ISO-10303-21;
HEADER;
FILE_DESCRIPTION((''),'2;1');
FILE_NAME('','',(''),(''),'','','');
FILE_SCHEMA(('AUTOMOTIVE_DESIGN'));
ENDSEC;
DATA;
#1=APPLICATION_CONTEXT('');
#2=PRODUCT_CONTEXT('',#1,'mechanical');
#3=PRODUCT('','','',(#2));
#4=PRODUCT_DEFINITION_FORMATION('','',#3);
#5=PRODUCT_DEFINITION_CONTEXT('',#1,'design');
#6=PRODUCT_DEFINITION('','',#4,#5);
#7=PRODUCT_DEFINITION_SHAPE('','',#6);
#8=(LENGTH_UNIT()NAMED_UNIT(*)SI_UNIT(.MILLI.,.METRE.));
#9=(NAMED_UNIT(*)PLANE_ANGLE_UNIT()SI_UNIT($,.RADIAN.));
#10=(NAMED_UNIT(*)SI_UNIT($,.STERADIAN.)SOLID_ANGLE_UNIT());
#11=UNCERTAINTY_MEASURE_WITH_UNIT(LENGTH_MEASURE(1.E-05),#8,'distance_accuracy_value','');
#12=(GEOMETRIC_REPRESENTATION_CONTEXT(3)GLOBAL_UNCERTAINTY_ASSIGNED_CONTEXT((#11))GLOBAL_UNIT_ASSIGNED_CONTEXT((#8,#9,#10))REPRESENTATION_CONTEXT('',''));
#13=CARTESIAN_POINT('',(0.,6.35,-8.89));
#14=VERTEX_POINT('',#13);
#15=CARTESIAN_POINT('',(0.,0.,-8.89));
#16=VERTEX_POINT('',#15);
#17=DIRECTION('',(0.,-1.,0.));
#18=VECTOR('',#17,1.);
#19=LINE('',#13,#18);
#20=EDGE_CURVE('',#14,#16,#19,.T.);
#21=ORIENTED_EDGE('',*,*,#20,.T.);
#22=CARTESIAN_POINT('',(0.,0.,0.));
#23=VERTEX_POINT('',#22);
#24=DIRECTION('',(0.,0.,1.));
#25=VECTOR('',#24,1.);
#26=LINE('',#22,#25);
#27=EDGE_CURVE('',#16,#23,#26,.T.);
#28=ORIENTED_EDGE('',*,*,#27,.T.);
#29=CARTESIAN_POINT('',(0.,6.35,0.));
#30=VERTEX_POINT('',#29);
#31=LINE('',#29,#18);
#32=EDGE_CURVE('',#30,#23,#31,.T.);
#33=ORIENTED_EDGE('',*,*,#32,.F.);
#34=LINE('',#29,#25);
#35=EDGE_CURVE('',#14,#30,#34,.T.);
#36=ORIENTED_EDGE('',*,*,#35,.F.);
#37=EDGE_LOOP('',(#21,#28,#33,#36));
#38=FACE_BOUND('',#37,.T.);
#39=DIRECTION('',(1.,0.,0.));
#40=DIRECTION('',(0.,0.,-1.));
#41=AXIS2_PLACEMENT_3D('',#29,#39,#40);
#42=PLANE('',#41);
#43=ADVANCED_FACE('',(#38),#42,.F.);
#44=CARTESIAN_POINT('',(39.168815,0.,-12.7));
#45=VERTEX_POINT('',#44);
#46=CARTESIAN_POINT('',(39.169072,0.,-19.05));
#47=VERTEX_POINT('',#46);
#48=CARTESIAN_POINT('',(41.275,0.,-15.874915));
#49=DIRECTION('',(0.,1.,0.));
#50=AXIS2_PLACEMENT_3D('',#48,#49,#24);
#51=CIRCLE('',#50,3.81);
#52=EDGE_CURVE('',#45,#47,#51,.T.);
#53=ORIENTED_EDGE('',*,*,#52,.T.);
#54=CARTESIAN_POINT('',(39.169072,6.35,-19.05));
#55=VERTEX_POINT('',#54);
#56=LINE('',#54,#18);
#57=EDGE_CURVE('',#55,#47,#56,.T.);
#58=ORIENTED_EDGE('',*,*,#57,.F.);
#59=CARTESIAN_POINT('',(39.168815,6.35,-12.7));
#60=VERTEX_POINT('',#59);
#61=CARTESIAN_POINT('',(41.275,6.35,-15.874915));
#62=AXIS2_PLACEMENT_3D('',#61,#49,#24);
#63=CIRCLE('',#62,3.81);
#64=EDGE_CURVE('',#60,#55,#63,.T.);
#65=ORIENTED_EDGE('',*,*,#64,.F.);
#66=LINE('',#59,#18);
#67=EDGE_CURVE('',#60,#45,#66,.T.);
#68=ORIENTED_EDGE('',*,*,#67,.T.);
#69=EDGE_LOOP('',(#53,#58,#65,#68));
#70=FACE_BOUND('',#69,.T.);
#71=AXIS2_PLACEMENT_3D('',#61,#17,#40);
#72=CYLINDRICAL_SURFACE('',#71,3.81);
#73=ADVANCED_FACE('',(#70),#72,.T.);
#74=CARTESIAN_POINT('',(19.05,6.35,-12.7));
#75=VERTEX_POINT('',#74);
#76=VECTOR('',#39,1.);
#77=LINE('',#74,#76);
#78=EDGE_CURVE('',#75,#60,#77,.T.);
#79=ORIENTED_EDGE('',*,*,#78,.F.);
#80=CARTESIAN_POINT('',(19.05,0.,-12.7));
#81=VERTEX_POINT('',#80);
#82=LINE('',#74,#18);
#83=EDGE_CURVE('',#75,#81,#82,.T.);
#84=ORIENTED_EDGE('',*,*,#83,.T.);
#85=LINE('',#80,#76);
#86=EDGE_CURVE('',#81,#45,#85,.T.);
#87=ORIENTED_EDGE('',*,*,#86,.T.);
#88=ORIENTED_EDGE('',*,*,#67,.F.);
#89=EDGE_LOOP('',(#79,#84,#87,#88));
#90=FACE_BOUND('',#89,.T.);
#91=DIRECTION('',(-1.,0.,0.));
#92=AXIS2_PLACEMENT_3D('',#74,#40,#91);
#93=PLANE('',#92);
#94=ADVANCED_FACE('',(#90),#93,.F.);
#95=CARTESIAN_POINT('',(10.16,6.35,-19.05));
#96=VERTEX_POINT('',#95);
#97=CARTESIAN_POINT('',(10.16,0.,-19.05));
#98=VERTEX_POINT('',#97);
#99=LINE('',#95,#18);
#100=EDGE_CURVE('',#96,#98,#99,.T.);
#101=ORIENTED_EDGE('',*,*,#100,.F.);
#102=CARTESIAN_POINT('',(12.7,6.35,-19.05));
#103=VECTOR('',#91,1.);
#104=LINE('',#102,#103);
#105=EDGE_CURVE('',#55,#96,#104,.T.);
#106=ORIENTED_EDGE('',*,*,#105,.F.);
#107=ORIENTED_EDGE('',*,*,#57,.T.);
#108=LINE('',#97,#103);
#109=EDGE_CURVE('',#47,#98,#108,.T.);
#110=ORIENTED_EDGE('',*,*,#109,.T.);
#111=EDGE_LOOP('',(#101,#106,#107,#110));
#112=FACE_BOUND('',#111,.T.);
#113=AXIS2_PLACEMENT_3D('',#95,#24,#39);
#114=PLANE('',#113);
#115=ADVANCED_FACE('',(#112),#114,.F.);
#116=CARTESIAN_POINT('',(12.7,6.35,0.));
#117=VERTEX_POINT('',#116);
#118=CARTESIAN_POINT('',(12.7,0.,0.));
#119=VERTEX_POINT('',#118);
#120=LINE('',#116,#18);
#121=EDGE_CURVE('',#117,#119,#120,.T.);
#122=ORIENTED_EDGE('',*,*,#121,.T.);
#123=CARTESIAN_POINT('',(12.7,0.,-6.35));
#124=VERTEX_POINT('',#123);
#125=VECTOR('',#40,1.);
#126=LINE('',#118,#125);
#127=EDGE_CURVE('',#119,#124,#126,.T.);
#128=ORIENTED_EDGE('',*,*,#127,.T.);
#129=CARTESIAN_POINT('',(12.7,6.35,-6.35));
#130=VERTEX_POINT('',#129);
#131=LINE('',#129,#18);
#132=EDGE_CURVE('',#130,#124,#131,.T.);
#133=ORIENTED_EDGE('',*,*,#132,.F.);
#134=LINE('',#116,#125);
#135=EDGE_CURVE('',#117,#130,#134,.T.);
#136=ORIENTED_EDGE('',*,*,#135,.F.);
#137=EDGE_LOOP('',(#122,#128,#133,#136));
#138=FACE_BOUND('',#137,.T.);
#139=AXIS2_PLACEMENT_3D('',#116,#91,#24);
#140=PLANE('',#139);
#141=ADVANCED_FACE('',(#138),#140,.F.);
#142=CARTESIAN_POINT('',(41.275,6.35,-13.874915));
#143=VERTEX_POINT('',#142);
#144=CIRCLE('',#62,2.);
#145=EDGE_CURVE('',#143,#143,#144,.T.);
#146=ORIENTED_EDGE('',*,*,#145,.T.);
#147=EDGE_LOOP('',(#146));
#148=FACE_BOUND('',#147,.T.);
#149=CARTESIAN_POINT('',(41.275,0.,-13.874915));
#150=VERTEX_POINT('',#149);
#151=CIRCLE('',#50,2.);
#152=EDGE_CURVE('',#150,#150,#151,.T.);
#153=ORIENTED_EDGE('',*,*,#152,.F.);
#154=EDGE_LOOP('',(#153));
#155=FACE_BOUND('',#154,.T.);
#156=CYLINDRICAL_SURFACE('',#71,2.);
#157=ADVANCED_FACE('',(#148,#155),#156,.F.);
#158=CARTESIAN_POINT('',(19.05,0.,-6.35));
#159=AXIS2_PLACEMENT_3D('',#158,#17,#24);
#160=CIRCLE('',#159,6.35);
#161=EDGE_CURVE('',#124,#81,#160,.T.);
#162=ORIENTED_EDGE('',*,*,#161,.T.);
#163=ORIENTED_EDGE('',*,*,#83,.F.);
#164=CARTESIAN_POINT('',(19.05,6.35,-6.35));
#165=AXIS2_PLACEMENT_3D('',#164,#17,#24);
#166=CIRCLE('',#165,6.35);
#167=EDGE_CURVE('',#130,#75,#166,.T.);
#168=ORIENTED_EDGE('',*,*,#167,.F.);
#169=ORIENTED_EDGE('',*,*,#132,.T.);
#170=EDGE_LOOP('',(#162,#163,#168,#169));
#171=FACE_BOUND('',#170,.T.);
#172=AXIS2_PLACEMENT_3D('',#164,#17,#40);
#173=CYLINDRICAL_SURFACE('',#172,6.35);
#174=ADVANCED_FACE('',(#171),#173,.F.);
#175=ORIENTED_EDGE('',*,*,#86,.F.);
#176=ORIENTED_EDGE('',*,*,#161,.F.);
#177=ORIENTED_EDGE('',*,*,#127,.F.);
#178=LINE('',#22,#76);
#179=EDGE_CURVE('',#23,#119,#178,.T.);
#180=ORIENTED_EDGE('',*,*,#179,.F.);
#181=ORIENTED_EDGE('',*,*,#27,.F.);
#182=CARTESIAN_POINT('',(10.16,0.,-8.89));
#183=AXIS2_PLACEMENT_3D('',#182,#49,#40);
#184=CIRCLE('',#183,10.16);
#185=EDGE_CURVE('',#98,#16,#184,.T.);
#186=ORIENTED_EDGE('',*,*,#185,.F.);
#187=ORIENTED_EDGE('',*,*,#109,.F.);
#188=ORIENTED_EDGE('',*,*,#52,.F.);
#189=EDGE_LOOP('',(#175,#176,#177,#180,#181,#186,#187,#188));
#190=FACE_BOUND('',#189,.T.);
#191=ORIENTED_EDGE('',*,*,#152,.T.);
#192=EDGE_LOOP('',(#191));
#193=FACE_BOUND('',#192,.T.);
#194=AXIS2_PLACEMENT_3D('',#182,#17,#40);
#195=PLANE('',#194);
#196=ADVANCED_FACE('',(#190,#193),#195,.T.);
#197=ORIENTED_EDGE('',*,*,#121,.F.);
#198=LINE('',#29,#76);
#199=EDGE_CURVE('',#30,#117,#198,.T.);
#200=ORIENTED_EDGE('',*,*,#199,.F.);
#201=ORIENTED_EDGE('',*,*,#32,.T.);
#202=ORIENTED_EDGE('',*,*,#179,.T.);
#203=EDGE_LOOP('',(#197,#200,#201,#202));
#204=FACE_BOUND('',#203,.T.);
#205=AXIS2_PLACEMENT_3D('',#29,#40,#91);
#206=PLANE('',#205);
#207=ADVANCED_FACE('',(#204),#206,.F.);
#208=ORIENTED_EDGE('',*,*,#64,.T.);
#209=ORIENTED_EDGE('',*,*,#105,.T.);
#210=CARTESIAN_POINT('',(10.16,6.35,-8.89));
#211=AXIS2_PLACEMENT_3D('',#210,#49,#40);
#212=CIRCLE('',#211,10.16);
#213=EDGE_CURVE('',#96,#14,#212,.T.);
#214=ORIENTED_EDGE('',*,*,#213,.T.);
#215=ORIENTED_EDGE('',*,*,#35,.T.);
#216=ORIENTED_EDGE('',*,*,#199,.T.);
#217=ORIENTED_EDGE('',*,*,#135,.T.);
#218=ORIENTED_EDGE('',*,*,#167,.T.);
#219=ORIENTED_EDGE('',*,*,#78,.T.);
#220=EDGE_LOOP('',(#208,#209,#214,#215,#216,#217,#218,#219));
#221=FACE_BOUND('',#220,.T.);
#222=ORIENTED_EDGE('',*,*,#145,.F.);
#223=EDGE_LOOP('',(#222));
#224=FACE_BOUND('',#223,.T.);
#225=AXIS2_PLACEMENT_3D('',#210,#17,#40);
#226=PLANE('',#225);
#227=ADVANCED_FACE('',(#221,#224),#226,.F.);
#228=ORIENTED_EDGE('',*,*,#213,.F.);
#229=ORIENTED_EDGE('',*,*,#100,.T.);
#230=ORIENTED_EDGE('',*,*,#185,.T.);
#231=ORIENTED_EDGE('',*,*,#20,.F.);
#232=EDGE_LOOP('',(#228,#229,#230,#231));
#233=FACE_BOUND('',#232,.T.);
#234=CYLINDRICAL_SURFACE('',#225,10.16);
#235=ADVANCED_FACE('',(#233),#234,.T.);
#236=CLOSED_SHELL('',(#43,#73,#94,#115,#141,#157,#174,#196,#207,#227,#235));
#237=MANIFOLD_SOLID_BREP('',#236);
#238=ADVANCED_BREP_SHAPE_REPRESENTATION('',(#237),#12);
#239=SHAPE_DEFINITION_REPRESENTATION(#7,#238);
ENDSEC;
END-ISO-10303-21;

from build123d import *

# Parameters (mm, degrees)
SKETCH1_R           = 2
BOSS_EXTRUDE1_DEPTH = 6.35


with BuildPart() as part:
    # Sketch1 → Boss-Extrude1 (new body)
    with BuildSketch(Plane(origin=(0, 0, 0), x_dir=(1, 0, 0), z_dir=(0, 1, 0))):
        with BuildLine():
            Line((12.7, 0), (12.7, 6.35))
            ThreePointArc((12.7, 6.35), (14.559871939, 10.840128061), (19.05, 12.7))
            Line((19.05, 12.7), (39.168815004, 12.7))
            ThreePointArc((39.168815004, 12.7), (45.084999997, 15.87476101), (39.169071524, 19.05))
            Line((39.169071524, 19.05), (12.7, 19.05))
            Line((12.7, 19.05), (10.16, 19.05))
            ThreePointArc((10.16, 19.05), (2.975795103, 16.074204897), (0, 8.89))
            Line((0, 8.89), (0, 0))
            Line((0, 0), (12.7, 0))
        make_face()
        with Locations((41.275, 15.874914922)):
            Circle(SKETCH1_R, mode=Mode.SUBTRACT)
    extrude(amount=BOSS_EXTRUDE1_DEPTH)


solid = part.part
